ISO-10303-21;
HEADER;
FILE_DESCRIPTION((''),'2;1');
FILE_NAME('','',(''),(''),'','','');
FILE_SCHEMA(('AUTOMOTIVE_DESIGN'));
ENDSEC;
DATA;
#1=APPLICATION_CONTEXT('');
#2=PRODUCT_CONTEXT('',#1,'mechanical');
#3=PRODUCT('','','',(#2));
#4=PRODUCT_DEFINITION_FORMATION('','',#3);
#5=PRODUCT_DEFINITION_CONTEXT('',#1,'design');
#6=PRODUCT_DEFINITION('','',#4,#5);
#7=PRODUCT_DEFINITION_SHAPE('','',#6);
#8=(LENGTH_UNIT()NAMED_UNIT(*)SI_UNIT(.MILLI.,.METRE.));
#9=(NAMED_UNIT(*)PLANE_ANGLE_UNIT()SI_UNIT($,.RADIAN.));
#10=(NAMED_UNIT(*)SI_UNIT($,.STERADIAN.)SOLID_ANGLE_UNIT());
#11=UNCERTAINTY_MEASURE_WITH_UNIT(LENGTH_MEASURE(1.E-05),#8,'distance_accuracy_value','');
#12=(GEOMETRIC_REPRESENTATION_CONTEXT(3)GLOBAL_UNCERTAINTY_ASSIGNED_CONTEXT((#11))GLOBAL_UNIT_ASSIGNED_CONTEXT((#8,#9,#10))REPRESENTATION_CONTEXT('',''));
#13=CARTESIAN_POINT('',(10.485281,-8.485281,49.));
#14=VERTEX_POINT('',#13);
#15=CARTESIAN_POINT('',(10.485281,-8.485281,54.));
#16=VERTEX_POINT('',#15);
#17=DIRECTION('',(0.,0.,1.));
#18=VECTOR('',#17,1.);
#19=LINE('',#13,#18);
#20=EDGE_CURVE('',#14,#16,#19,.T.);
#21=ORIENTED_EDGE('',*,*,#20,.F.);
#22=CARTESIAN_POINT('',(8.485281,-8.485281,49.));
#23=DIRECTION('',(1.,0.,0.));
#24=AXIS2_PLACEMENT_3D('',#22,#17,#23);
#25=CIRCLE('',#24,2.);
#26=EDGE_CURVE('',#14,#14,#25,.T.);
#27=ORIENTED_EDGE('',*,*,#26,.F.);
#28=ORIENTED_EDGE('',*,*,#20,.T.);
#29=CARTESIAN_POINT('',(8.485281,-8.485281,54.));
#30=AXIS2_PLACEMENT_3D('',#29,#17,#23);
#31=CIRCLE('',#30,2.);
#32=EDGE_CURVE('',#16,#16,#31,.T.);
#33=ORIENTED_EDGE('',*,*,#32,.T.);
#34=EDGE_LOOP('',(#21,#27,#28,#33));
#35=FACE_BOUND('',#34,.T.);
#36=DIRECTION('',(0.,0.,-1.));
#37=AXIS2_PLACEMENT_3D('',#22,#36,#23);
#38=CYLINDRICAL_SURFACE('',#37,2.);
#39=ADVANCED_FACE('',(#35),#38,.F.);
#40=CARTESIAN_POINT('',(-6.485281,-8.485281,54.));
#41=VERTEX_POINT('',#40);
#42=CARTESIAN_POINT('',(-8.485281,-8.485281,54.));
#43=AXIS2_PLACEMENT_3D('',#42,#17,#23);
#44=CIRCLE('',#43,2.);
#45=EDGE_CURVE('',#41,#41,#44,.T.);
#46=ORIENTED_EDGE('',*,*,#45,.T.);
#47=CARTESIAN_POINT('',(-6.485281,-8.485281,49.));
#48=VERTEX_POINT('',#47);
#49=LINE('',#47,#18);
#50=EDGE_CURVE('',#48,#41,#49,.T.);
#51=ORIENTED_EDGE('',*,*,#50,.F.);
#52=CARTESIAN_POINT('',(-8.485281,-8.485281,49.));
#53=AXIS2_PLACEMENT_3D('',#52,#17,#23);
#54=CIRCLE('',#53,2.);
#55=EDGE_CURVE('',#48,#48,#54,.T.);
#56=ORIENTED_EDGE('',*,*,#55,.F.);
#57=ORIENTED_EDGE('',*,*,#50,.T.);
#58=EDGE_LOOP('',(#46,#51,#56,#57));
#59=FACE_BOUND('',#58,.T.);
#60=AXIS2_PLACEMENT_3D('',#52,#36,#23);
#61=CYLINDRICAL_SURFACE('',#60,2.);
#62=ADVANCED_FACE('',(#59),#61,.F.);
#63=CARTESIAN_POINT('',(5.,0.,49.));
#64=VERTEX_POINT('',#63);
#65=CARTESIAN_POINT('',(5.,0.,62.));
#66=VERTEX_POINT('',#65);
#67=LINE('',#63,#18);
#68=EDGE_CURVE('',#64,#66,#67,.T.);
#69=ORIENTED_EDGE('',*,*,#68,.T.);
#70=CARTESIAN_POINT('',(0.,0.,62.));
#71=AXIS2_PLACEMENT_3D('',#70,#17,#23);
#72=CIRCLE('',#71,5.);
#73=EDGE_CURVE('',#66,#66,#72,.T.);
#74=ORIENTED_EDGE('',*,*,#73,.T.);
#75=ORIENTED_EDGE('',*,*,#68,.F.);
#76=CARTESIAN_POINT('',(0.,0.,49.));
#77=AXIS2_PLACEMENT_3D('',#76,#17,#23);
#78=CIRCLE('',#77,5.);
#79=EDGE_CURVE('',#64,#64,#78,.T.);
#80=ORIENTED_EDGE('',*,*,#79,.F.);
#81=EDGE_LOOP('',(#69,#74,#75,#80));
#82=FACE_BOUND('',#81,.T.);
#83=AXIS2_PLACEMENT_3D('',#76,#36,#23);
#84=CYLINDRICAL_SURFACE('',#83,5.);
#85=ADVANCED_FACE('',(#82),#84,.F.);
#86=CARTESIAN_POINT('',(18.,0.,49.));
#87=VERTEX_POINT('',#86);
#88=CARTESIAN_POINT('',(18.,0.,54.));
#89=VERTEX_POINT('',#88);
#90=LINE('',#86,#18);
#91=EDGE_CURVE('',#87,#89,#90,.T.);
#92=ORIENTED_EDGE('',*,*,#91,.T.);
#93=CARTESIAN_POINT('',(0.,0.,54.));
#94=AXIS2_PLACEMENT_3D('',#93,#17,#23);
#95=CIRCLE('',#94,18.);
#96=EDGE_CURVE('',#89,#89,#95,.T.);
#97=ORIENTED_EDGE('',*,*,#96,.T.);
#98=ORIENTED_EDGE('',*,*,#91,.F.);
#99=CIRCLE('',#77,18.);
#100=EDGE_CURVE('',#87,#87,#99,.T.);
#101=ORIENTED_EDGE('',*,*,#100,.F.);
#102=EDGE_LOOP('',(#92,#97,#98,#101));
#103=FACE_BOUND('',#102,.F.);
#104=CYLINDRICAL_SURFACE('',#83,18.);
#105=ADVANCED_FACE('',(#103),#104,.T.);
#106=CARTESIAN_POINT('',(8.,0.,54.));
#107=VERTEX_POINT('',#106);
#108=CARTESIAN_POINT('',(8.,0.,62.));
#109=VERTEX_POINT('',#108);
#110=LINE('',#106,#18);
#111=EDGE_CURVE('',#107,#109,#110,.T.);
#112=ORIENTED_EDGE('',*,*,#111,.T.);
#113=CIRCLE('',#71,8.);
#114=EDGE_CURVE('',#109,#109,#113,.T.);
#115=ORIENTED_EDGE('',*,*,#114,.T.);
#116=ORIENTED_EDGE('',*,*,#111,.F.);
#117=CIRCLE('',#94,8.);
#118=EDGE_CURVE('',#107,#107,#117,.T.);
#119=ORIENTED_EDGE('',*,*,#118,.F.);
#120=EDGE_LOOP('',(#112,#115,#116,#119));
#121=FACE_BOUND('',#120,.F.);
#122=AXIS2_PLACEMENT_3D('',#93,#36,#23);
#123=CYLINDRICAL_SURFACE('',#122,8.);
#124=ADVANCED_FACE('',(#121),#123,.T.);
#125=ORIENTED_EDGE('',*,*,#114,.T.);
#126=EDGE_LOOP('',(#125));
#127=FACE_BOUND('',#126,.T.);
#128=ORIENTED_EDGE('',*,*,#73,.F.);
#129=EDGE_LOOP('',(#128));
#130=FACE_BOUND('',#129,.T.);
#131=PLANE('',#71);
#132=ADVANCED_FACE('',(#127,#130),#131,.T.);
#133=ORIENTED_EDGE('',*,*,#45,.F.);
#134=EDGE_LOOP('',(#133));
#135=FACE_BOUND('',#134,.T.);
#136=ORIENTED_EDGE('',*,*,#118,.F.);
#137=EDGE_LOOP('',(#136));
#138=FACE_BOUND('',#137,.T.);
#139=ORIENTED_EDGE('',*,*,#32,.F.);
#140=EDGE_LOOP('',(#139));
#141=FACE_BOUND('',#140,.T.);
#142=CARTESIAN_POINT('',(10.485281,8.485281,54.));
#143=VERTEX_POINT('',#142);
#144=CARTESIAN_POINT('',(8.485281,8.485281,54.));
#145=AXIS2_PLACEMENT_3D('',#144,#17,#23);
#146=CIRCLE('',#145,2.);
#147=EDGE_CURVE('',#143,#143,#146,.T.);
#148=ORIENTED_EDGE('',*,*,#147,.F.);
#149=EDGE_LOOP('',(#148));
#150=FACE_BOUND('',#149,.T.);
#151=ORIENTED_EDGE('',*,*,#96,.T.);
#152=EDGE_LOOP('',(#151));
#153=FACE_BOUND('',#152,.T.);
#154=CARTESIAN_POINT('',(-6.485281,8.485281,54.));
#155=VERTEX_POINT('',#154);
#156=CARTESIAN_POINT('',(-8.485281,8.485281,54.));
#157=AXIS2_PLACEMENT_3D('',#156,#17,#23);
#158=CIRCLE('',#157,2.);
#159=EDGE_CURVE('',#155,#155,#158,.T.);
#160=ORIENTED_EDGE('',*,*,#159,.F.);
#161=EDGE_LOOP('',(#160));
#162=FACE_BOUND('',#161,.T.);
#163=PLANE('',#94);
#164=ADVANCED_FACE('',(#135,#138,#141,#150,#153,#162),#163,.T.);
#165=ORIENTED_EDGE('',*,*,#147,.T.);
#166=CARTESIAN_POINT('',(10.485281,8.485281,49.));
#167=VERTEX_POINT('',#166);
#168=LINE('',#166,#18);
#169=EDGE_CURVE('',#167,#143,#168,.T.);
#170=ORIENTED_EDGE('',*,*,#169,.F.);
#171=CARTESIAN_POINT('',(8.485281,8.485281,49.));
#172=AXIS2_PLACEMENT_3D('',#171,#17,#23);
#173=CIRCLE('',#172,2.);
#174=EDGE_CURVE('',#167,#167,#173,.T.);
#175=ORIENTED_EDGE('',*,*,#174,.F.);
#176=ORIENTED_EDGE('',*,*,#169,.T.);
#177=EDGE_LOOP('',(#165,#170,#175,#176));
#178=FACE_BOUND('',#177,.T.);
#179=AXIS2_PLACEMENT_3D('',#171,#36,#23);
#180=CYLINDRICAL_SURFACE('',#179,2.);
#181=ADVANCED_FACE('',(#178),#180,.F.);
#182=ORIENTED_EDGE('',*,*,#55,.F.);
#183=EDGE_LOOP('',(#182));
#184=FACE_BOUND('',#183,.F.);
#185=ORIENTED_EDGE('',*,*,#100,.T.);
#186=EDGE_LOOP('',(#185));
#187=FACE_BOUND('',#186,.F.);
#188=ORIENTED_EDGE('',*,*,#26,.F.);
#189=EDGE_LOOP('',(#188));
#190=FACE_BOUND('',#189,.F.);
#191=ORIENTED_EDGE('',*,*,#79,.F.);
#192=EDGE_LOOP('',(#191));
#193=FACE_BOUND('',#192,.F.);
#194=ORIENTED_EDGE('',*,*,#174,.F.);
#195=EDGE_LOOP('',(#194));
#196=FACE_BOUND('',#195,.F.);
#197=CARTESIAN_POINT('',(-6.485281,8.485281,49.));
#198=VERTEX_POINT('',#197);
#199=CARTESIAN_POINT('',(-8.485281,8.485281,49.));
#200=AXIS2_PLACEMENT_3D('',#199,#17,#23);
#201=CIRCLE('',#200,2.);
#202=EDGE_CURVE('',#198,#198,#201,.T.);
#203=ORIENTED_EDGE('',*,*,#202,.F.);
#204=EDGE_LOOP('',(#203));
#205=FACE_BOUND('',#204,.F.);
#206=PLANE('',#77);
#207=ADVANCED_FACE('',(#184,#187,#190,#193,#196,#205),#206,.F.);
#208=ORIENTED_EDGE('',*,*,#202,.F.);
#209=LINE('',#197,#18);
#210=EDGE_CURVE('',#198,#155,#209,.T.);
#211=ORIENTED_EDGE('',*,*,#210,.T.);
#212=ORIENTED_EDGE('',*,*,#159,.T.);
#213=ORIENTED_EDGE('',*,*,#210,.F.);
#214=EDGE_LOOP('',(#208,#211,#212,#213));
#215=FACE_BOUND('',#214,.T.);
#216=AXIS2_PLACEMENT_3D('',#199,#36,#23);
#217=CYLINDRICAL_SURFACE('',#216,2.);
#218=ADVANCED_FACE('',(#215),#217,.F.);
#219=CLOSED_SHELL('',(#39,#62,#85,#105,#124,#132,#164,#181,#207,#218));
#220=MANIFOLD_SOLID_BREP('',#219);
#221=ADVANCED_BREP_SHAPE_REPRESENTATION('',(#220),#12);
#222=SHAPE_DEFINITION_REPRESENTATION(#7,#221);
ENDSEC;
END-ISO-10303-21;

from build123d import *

# Parameters (mm, degrees)
SKETCH010_R      = 18
SKETCH010_R_2    = 5
SKETCH010_R_3    = 2
EXTRUDE010_DEPTH = 5
SKETCH011_R      = 8
SKETCH011_R_2    = 5
EXTRUDE011_DEPTH = 8


with BuildPart() as extrude010:
    # Sketch010 (on Face29 of Cut003) → Extrude010 (new body)
    with BuildSketch(Plane.XY.offset(49)):
        Circle(SKETCH010_R)
        Circle(SKETCH010_R_2, mode=Mode.SUBTRACT)
        with Locations((8.485281, 8.485281)):
            Circle(SKETCH010_R_3, mode=Mode.SUBTRACT)
        with Locations((8.485281, -8.485281)):
            Circle(SKETCH010_R_3, mode=Mode.SUBTRACT)
        with Locations((-8.485281, -8.485281)):
            Circle(SKETCH010_R_3, mode=Mode.SUBTRACT)
        with Locations((-8.485281, 8.485281)):
            Circle(SKETCH010_R_3, mode=Mode.SUBTRACT)
    extrude(amount=EXTRUDE010_DEPTH)


with BuildPart() as flangemockup:
    # Sketch011 (on Face8 of Extrude010) → Extrude011 (new body)
    with BuildSketch(Plane.XY.offset(54)):
        Circle(SKETCH011_R)
        Circle(SKETCH011_R_2, mode=Mode.SUBTRACT)
    extrude(amount=EXTRUDE011_DEPTH)

    # Fusion002: union Extrude010
    add(extrude010.part)


solid = flangemockup.part
